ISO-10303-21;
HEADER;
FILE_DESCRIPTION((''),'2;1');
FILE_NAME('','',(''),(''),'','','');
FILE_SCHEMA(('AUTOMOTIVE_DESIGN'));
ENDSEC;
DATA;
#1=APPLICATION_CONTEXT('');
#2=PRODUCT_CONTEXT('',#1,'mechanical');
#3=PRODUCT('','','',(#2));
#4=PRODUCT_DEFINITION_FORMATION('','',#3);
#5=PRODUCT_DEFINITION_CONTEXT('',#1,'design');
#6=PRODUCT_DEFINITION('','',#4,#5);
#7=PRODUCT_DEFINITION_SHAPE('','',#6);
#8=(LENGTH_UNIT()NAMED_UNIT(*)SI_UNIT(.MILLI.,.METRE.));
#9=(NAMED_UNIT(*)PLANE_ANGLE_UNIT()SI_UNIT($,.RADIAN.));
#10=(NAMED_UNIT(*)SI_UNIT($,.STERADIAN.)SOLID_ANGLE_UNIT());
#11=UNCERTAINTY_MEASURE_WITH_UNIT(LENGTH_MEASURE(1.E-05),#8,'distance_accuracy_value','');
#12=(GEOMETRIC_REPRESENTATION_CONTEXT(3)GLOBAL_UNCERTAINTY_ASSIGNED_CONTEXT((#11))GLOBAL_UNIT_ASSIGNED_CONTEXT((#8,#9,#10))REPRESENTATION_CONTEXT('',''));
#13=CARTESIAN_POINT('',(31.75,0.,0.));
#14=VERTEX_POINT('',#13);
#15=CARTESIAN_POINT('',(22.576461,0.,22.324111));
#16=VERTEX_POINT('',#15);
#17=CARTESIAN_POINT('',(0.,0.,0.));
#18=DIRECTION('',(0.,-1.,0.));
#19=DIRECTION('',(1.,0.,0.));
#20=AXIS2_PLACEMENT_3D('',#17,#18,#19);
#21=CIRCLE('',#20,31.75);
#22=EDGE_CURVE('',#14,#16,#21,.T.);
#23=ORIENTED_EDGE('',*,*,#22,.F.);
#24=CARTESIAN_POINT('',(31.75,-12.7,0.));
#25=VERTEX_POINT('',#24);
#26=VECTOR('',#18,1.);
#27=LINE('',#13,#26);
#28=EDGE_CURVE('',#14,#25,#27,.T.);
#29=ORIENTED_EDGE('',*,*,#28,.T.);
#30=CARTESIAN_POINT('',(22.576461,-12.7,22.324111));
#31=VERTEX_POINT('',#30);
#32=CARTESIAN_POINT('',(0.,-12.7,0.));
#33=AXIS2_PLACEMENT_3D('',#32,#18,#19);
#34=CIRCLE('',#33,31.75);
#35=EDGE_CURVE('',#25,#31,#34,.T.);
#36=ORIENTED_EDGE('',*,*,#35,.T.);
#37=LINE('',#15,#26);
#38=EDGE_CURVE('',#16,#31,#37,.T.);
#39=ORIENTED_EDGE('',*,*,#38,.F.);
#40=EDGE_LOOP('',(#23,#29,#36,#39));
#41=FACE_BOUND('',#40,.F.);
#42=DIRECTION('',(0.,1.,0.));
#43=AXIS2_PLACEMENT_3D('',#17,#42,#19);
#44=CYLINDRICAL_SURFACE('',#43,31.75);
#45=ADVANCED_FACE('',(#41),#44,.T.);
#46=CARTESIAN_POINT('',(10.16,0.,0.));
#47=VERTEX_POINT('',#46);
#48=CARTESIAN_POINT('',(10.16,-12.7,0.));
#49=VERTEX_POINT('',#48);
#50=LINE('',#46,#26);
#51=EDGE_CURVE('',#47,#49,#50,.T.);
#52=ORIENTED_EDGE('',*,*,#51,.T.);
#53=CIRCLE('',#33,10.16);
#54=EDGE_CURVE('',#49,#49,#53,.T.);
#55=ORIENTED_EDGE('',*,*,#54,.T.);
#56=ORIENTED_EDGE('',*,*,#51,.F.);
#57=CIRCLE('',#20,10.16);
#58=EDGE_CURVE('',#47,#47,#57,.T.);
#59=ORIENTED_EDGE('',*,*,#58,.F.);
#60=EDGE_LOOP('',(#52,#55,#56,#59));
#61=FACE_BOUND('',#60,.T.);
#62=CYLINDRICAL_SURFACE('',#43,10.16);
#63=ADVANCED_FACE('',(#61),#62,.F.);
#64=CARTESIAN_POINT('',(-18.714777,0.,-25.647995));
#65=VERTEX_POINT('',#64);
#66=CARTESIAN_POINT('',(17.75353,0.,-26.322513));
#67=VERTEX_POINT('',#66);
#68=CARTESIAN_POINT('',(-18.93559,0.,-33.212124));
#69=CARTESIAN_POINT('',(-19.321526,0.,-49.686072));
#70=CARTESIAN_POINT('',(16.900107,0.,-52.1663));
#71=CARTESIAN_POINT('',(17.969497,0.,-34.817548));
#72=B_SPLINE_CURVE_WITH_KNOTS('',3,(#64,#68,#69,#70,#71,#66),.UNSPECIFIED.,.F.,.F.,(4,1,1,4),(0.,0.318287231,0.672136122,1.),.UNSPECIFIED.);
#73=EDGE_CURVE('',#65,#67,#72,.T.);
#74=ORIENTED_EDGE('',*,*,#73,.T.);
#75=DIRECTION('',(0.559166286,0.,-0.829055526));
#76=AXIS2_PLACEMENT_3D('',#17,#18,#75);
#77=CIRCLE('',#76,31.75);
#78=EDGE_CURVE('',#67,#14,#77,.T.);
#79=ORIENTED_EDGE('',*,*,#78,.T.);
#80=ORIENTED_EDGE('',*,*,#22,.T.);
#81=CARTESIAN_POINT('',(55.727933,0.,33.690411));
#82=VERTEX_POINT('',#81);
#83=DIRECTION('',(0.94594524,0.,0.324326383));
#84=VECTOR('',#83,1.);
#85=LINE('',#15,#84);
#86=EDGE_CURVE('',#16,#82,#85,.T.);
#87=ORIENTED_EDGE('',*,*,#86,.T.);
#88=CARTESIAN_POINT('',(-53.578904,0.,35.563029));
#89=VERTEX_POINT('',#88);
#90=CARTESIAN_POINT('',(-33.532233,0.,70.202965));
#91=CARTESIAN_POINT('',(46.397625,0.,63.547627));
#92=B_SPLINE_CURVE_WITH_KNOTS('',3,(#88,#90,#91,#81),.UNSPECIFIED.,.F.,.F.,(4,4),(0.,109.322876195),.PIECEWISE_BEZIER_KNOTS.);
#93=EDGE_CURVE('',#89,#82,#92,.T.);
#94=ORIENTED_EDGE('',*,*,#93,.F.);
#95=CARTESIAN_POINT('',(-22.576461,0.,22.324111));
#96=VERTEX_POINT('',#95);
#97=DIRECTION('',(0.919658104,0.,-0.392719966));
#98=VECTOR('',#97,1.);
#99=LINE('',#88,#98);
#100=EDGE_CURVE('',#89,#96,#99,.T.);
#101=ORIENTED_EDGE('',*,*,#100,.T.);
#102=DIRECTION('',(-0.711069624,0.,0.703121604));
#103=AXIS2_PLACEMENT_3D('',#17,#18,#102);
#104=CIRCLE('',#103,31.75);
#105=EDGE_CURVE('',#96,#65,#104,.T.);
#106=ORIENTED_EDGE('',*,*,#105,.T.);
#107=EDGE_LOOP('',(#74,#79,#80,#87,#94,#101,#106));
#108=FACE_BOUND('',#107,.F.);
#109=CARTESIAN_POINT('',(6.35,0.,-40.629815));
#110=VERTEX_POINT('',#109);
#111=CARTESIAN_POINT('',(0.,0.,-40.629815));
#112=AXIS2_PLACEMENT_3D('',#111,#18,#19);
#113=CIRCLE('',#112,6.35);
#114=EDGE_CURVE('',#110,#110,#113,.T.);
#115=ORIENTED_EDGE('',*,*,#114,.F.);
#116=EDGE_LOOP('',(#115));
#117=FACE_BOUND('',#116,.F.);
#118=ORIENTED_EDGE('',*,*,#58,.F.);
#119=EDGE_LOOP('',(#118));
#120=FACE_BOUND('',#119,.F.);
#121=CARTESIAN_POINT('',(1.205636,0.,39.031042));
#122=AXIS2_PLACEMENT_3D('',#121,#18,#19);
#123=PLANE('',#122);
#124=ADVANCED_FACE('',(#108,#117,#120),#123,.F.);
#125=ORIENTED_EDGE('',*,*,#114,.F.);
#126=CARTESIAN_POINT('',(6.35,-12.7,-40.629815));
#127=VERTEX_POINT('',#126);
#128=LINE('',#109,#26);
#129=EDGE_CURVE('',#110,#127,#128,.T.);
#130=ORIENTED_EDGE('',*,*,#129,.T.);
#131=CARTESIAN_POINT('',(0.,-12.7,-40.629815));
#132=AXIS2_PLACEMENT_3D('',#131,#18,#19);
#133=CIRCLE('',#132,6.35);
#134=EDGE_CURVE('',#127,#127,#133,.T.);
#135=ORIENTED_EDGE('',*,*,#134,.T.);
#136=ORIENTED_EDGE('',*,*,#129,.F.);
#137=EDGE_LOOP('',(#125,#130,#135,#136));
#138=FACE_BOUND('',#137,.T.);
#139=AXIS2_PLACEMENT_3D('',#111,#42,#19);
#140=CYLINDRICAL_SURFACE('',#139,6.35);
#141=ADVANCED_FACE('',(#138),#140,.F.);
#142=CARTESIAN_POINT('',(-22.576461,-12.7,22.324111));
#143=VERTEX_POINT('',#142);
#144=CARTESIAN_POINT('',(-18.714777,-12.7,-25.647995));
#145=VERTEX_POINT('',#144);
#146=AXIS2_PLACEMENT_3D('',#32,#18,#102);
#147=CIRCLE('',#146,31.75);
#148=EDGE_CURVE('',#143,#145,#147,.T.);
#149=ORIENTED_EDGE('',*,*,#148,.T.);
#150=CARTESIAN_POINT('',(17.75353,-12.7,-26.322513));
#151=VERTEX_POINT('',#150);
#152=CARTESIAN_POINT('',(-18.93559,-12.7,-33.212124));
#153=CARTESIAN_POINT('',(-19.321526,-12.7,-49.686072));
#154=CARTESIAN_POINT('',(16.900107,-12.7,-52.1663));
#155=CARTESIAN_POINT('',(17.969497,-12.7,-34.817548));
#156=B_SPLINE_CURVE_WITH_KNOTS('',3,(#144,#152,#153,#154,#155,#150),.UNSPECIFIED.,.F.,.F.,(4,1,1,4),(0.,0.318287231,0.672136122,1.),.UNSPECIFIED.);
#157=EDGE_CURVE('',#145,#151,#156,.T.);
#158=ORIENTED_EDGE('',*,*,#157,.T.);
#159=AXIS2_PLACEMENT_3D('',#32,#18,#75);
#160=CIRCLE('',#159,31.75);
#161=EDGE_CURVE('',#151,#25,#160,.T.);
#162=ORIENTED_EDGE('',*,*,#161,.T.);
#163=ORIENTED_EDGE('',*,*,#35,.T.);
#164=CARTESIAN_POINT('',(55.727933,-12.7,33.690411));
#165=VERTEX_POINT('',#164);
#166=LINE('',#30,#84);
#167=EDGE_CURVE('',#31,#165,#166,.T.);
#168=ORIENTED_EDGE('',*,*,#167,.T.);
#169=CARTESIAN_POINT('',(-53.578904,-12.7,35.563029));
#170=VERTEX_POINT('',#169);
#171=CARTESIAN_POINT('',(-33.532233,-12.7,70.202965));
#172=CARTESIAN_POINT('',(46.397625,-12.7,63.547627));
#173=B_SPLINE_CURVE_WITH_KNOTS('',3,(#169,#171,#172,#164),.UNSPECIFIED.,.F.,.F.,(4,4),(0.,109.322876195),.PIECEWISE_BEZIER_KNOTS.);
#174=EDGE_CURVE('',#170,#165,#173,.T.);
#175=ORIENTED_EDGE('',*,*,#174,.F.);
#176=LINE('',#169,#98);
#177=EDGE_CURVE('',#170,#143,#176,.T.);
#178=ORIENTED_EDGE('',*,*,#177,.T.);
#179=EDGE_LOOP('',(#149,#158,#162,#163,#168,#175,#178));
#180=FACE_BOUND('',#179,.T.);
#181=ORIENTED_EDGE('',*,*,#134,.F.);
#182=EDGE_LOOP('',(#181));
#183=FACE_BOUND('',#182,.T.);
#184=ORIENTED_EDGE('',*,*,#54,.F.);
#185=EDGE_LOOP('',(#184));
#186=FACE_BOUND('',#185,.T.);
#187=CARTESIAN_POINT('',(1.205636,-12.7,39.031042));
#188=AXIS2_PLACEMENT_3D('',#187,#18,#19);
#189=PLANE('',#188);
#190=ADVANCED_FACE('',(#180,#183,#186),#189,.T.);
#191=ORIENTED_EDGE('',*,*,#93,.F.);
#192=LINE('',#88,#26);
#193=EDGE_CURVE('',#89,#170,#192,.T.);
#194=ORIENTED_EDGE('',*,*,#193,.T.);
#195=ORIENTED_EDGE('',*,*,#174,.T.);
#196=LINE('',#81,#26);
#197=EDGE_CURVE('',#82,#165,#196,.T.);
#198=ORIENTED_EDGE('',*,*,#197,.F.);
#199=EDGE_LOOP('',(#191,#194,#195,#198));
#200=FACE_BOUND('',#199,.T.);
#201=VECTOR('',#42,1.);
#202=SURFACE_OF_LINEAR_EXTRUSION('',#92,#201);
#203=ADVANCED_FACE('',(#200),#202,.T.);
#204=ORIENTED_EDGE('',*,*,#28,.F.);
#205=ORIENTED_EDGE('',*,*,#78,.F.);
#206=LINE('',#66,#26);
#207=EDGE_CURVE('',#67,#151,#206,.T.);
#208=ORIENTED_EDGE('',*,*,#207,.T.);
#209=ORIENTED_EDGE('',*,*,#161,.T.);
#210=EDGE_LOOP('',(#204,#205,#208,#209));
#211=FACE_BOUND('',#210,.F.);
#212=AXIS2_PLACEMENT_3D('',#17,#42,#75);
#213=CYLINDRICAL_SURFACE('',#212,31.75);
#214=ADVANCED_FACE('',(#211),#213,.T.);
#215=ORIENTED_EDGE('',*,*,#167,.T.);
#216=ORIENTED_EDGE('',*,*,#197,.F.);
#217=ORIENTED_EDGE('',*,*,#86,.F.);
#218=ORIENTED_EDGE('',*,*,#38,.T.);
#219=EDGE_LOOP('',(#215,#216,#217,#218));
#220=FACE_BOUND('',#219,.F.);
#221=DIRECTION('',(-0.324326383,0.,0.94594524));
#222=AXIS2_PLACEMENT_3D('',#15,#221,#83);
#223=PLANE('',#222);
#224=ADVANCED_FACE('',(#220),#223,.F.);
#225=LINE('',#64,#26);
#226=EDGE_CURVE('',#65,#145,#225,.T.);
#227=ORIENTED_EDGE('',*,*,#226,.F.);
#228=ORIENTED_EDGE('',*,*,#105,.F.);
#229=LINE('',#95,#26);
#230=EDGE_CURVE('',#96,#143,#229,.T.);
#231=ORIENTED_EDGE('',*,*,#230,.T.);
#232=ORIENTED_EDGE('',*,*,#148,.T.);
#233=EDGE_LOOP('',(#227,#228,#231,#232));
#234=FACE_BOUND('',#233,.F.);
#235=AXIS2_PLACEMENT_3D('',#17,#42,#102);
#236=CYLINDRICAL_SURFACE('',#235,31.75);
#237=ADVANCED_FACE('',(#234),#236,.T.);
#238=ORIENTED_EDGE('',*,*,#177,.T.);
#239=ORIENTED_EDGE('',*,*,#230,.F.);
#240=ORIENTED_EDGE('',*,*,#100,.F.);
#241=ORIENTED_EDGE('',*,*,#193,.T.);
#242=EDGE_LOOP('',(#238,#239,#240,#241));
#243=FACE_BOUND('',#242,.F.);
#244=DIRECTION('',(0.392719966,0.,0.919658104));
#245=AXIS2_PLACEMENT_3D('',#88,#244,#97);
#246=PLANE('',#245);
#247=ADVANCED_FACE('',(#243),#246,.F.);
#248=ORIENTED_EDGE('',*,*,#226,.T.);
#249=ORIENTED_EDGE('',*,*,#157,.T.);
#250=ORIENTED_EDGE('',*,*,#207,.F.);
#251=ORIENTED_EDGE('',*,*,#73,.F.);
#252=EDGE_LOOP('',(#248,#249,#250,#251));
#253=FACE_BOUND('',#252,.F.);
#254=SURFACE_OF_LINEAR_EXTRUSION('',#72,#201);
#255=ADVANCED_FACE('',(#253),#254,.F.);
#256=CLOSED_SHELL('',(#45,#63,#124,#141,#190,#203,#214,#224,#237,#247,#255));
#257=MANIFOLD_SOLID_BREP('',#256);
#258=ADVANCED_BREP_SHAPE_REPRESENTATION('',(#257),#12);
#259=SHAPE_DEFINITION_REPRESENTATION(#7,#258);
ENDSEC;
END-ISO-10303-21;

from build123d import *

# Parameters (mm, degrees)
F0_R     = 10.16
F0_R_2   = 6.35
F1_DEPTH = 12.7


with BuildPart() as f1:
    # F0 (on Front) → F1 (new body)
    with BuildSketch(Plane.XZ):
        with BuildLine():
            ThreePointArc((-22.5764605638, 22.324110921), (0, 31.75), (22.5764605638, 22.324110921))
            Line((22.5764605638, 22.324110921), (55.7279327263, 33.6904105914))
            add(Edge.make_bspline(
                [(-53.578904017, 35.5630292681), (-33.5322332568, 70.2029654889), (46.3976245244, 63.5476266624), (55.7279327263, 33.6904105914)],
                knots=[0, 0, 0, 0, 109.3228761949, 109.3228761949, 109.3228761949, 109.3228761949], degree=3))
            Line((-53.578904017, 35.5630292681), (-22.5764605638, 22.324110921))
        make_face()
        with BuildLine():
            ThreePointArc((17.7535295726, -26.3225129445), (28.0333467849, -14.9061721456), (31.75, 0))
            ThreePointArc((31.75, 0), (29.3672021386, 12.067723006), (22.5764605638, 22.324110921))
            ThreePointArc((22.5764605638, 22.324110921), (0, 31.75), (-22.5764605638, 22.324110921))
            ThreePointArc((-22.5764605638, 22.324110921), (-31.6476270633, -2.5475873414), (-18.7147767568, -25.6479946769))
            ThreePointArc((-18.7147767568, -25.6479946769), (-0.5871479887, -31.7445705159), (17.7535295726, -26.3225129445))
        make_face()
        Circle(F0_R, mode=Mode.SUBTRACT)
        with BuildLine():
            add(Edge.make_bspline(
                [(-18.7147767568, -25.6479946769), (-18.9355896144, -33.2121243406), (-19.321526262, -49.686071611), (16.9001065861, -52.1663001494), (17.9694969141, -34.8175484735), (17.7535295726, -26.3225129445)],
                knots=[0, 0, 0, 0, 0.3182872314, 0.6721361216, 1, 1, 1, 1], degree=3))
            ThreePointArc((17.7535295726, -26.3225129445), (-0.5871479887, -31.7445705159), (-18.7147767568, -25.6479946769))
        make_face()
        with Locations((0, -40.6298153102)):
            Circle(F0_R_2, mode=Mode.SUBTRACT)
    extrude(amount=F1_DEPTH)


solid = f1.part
